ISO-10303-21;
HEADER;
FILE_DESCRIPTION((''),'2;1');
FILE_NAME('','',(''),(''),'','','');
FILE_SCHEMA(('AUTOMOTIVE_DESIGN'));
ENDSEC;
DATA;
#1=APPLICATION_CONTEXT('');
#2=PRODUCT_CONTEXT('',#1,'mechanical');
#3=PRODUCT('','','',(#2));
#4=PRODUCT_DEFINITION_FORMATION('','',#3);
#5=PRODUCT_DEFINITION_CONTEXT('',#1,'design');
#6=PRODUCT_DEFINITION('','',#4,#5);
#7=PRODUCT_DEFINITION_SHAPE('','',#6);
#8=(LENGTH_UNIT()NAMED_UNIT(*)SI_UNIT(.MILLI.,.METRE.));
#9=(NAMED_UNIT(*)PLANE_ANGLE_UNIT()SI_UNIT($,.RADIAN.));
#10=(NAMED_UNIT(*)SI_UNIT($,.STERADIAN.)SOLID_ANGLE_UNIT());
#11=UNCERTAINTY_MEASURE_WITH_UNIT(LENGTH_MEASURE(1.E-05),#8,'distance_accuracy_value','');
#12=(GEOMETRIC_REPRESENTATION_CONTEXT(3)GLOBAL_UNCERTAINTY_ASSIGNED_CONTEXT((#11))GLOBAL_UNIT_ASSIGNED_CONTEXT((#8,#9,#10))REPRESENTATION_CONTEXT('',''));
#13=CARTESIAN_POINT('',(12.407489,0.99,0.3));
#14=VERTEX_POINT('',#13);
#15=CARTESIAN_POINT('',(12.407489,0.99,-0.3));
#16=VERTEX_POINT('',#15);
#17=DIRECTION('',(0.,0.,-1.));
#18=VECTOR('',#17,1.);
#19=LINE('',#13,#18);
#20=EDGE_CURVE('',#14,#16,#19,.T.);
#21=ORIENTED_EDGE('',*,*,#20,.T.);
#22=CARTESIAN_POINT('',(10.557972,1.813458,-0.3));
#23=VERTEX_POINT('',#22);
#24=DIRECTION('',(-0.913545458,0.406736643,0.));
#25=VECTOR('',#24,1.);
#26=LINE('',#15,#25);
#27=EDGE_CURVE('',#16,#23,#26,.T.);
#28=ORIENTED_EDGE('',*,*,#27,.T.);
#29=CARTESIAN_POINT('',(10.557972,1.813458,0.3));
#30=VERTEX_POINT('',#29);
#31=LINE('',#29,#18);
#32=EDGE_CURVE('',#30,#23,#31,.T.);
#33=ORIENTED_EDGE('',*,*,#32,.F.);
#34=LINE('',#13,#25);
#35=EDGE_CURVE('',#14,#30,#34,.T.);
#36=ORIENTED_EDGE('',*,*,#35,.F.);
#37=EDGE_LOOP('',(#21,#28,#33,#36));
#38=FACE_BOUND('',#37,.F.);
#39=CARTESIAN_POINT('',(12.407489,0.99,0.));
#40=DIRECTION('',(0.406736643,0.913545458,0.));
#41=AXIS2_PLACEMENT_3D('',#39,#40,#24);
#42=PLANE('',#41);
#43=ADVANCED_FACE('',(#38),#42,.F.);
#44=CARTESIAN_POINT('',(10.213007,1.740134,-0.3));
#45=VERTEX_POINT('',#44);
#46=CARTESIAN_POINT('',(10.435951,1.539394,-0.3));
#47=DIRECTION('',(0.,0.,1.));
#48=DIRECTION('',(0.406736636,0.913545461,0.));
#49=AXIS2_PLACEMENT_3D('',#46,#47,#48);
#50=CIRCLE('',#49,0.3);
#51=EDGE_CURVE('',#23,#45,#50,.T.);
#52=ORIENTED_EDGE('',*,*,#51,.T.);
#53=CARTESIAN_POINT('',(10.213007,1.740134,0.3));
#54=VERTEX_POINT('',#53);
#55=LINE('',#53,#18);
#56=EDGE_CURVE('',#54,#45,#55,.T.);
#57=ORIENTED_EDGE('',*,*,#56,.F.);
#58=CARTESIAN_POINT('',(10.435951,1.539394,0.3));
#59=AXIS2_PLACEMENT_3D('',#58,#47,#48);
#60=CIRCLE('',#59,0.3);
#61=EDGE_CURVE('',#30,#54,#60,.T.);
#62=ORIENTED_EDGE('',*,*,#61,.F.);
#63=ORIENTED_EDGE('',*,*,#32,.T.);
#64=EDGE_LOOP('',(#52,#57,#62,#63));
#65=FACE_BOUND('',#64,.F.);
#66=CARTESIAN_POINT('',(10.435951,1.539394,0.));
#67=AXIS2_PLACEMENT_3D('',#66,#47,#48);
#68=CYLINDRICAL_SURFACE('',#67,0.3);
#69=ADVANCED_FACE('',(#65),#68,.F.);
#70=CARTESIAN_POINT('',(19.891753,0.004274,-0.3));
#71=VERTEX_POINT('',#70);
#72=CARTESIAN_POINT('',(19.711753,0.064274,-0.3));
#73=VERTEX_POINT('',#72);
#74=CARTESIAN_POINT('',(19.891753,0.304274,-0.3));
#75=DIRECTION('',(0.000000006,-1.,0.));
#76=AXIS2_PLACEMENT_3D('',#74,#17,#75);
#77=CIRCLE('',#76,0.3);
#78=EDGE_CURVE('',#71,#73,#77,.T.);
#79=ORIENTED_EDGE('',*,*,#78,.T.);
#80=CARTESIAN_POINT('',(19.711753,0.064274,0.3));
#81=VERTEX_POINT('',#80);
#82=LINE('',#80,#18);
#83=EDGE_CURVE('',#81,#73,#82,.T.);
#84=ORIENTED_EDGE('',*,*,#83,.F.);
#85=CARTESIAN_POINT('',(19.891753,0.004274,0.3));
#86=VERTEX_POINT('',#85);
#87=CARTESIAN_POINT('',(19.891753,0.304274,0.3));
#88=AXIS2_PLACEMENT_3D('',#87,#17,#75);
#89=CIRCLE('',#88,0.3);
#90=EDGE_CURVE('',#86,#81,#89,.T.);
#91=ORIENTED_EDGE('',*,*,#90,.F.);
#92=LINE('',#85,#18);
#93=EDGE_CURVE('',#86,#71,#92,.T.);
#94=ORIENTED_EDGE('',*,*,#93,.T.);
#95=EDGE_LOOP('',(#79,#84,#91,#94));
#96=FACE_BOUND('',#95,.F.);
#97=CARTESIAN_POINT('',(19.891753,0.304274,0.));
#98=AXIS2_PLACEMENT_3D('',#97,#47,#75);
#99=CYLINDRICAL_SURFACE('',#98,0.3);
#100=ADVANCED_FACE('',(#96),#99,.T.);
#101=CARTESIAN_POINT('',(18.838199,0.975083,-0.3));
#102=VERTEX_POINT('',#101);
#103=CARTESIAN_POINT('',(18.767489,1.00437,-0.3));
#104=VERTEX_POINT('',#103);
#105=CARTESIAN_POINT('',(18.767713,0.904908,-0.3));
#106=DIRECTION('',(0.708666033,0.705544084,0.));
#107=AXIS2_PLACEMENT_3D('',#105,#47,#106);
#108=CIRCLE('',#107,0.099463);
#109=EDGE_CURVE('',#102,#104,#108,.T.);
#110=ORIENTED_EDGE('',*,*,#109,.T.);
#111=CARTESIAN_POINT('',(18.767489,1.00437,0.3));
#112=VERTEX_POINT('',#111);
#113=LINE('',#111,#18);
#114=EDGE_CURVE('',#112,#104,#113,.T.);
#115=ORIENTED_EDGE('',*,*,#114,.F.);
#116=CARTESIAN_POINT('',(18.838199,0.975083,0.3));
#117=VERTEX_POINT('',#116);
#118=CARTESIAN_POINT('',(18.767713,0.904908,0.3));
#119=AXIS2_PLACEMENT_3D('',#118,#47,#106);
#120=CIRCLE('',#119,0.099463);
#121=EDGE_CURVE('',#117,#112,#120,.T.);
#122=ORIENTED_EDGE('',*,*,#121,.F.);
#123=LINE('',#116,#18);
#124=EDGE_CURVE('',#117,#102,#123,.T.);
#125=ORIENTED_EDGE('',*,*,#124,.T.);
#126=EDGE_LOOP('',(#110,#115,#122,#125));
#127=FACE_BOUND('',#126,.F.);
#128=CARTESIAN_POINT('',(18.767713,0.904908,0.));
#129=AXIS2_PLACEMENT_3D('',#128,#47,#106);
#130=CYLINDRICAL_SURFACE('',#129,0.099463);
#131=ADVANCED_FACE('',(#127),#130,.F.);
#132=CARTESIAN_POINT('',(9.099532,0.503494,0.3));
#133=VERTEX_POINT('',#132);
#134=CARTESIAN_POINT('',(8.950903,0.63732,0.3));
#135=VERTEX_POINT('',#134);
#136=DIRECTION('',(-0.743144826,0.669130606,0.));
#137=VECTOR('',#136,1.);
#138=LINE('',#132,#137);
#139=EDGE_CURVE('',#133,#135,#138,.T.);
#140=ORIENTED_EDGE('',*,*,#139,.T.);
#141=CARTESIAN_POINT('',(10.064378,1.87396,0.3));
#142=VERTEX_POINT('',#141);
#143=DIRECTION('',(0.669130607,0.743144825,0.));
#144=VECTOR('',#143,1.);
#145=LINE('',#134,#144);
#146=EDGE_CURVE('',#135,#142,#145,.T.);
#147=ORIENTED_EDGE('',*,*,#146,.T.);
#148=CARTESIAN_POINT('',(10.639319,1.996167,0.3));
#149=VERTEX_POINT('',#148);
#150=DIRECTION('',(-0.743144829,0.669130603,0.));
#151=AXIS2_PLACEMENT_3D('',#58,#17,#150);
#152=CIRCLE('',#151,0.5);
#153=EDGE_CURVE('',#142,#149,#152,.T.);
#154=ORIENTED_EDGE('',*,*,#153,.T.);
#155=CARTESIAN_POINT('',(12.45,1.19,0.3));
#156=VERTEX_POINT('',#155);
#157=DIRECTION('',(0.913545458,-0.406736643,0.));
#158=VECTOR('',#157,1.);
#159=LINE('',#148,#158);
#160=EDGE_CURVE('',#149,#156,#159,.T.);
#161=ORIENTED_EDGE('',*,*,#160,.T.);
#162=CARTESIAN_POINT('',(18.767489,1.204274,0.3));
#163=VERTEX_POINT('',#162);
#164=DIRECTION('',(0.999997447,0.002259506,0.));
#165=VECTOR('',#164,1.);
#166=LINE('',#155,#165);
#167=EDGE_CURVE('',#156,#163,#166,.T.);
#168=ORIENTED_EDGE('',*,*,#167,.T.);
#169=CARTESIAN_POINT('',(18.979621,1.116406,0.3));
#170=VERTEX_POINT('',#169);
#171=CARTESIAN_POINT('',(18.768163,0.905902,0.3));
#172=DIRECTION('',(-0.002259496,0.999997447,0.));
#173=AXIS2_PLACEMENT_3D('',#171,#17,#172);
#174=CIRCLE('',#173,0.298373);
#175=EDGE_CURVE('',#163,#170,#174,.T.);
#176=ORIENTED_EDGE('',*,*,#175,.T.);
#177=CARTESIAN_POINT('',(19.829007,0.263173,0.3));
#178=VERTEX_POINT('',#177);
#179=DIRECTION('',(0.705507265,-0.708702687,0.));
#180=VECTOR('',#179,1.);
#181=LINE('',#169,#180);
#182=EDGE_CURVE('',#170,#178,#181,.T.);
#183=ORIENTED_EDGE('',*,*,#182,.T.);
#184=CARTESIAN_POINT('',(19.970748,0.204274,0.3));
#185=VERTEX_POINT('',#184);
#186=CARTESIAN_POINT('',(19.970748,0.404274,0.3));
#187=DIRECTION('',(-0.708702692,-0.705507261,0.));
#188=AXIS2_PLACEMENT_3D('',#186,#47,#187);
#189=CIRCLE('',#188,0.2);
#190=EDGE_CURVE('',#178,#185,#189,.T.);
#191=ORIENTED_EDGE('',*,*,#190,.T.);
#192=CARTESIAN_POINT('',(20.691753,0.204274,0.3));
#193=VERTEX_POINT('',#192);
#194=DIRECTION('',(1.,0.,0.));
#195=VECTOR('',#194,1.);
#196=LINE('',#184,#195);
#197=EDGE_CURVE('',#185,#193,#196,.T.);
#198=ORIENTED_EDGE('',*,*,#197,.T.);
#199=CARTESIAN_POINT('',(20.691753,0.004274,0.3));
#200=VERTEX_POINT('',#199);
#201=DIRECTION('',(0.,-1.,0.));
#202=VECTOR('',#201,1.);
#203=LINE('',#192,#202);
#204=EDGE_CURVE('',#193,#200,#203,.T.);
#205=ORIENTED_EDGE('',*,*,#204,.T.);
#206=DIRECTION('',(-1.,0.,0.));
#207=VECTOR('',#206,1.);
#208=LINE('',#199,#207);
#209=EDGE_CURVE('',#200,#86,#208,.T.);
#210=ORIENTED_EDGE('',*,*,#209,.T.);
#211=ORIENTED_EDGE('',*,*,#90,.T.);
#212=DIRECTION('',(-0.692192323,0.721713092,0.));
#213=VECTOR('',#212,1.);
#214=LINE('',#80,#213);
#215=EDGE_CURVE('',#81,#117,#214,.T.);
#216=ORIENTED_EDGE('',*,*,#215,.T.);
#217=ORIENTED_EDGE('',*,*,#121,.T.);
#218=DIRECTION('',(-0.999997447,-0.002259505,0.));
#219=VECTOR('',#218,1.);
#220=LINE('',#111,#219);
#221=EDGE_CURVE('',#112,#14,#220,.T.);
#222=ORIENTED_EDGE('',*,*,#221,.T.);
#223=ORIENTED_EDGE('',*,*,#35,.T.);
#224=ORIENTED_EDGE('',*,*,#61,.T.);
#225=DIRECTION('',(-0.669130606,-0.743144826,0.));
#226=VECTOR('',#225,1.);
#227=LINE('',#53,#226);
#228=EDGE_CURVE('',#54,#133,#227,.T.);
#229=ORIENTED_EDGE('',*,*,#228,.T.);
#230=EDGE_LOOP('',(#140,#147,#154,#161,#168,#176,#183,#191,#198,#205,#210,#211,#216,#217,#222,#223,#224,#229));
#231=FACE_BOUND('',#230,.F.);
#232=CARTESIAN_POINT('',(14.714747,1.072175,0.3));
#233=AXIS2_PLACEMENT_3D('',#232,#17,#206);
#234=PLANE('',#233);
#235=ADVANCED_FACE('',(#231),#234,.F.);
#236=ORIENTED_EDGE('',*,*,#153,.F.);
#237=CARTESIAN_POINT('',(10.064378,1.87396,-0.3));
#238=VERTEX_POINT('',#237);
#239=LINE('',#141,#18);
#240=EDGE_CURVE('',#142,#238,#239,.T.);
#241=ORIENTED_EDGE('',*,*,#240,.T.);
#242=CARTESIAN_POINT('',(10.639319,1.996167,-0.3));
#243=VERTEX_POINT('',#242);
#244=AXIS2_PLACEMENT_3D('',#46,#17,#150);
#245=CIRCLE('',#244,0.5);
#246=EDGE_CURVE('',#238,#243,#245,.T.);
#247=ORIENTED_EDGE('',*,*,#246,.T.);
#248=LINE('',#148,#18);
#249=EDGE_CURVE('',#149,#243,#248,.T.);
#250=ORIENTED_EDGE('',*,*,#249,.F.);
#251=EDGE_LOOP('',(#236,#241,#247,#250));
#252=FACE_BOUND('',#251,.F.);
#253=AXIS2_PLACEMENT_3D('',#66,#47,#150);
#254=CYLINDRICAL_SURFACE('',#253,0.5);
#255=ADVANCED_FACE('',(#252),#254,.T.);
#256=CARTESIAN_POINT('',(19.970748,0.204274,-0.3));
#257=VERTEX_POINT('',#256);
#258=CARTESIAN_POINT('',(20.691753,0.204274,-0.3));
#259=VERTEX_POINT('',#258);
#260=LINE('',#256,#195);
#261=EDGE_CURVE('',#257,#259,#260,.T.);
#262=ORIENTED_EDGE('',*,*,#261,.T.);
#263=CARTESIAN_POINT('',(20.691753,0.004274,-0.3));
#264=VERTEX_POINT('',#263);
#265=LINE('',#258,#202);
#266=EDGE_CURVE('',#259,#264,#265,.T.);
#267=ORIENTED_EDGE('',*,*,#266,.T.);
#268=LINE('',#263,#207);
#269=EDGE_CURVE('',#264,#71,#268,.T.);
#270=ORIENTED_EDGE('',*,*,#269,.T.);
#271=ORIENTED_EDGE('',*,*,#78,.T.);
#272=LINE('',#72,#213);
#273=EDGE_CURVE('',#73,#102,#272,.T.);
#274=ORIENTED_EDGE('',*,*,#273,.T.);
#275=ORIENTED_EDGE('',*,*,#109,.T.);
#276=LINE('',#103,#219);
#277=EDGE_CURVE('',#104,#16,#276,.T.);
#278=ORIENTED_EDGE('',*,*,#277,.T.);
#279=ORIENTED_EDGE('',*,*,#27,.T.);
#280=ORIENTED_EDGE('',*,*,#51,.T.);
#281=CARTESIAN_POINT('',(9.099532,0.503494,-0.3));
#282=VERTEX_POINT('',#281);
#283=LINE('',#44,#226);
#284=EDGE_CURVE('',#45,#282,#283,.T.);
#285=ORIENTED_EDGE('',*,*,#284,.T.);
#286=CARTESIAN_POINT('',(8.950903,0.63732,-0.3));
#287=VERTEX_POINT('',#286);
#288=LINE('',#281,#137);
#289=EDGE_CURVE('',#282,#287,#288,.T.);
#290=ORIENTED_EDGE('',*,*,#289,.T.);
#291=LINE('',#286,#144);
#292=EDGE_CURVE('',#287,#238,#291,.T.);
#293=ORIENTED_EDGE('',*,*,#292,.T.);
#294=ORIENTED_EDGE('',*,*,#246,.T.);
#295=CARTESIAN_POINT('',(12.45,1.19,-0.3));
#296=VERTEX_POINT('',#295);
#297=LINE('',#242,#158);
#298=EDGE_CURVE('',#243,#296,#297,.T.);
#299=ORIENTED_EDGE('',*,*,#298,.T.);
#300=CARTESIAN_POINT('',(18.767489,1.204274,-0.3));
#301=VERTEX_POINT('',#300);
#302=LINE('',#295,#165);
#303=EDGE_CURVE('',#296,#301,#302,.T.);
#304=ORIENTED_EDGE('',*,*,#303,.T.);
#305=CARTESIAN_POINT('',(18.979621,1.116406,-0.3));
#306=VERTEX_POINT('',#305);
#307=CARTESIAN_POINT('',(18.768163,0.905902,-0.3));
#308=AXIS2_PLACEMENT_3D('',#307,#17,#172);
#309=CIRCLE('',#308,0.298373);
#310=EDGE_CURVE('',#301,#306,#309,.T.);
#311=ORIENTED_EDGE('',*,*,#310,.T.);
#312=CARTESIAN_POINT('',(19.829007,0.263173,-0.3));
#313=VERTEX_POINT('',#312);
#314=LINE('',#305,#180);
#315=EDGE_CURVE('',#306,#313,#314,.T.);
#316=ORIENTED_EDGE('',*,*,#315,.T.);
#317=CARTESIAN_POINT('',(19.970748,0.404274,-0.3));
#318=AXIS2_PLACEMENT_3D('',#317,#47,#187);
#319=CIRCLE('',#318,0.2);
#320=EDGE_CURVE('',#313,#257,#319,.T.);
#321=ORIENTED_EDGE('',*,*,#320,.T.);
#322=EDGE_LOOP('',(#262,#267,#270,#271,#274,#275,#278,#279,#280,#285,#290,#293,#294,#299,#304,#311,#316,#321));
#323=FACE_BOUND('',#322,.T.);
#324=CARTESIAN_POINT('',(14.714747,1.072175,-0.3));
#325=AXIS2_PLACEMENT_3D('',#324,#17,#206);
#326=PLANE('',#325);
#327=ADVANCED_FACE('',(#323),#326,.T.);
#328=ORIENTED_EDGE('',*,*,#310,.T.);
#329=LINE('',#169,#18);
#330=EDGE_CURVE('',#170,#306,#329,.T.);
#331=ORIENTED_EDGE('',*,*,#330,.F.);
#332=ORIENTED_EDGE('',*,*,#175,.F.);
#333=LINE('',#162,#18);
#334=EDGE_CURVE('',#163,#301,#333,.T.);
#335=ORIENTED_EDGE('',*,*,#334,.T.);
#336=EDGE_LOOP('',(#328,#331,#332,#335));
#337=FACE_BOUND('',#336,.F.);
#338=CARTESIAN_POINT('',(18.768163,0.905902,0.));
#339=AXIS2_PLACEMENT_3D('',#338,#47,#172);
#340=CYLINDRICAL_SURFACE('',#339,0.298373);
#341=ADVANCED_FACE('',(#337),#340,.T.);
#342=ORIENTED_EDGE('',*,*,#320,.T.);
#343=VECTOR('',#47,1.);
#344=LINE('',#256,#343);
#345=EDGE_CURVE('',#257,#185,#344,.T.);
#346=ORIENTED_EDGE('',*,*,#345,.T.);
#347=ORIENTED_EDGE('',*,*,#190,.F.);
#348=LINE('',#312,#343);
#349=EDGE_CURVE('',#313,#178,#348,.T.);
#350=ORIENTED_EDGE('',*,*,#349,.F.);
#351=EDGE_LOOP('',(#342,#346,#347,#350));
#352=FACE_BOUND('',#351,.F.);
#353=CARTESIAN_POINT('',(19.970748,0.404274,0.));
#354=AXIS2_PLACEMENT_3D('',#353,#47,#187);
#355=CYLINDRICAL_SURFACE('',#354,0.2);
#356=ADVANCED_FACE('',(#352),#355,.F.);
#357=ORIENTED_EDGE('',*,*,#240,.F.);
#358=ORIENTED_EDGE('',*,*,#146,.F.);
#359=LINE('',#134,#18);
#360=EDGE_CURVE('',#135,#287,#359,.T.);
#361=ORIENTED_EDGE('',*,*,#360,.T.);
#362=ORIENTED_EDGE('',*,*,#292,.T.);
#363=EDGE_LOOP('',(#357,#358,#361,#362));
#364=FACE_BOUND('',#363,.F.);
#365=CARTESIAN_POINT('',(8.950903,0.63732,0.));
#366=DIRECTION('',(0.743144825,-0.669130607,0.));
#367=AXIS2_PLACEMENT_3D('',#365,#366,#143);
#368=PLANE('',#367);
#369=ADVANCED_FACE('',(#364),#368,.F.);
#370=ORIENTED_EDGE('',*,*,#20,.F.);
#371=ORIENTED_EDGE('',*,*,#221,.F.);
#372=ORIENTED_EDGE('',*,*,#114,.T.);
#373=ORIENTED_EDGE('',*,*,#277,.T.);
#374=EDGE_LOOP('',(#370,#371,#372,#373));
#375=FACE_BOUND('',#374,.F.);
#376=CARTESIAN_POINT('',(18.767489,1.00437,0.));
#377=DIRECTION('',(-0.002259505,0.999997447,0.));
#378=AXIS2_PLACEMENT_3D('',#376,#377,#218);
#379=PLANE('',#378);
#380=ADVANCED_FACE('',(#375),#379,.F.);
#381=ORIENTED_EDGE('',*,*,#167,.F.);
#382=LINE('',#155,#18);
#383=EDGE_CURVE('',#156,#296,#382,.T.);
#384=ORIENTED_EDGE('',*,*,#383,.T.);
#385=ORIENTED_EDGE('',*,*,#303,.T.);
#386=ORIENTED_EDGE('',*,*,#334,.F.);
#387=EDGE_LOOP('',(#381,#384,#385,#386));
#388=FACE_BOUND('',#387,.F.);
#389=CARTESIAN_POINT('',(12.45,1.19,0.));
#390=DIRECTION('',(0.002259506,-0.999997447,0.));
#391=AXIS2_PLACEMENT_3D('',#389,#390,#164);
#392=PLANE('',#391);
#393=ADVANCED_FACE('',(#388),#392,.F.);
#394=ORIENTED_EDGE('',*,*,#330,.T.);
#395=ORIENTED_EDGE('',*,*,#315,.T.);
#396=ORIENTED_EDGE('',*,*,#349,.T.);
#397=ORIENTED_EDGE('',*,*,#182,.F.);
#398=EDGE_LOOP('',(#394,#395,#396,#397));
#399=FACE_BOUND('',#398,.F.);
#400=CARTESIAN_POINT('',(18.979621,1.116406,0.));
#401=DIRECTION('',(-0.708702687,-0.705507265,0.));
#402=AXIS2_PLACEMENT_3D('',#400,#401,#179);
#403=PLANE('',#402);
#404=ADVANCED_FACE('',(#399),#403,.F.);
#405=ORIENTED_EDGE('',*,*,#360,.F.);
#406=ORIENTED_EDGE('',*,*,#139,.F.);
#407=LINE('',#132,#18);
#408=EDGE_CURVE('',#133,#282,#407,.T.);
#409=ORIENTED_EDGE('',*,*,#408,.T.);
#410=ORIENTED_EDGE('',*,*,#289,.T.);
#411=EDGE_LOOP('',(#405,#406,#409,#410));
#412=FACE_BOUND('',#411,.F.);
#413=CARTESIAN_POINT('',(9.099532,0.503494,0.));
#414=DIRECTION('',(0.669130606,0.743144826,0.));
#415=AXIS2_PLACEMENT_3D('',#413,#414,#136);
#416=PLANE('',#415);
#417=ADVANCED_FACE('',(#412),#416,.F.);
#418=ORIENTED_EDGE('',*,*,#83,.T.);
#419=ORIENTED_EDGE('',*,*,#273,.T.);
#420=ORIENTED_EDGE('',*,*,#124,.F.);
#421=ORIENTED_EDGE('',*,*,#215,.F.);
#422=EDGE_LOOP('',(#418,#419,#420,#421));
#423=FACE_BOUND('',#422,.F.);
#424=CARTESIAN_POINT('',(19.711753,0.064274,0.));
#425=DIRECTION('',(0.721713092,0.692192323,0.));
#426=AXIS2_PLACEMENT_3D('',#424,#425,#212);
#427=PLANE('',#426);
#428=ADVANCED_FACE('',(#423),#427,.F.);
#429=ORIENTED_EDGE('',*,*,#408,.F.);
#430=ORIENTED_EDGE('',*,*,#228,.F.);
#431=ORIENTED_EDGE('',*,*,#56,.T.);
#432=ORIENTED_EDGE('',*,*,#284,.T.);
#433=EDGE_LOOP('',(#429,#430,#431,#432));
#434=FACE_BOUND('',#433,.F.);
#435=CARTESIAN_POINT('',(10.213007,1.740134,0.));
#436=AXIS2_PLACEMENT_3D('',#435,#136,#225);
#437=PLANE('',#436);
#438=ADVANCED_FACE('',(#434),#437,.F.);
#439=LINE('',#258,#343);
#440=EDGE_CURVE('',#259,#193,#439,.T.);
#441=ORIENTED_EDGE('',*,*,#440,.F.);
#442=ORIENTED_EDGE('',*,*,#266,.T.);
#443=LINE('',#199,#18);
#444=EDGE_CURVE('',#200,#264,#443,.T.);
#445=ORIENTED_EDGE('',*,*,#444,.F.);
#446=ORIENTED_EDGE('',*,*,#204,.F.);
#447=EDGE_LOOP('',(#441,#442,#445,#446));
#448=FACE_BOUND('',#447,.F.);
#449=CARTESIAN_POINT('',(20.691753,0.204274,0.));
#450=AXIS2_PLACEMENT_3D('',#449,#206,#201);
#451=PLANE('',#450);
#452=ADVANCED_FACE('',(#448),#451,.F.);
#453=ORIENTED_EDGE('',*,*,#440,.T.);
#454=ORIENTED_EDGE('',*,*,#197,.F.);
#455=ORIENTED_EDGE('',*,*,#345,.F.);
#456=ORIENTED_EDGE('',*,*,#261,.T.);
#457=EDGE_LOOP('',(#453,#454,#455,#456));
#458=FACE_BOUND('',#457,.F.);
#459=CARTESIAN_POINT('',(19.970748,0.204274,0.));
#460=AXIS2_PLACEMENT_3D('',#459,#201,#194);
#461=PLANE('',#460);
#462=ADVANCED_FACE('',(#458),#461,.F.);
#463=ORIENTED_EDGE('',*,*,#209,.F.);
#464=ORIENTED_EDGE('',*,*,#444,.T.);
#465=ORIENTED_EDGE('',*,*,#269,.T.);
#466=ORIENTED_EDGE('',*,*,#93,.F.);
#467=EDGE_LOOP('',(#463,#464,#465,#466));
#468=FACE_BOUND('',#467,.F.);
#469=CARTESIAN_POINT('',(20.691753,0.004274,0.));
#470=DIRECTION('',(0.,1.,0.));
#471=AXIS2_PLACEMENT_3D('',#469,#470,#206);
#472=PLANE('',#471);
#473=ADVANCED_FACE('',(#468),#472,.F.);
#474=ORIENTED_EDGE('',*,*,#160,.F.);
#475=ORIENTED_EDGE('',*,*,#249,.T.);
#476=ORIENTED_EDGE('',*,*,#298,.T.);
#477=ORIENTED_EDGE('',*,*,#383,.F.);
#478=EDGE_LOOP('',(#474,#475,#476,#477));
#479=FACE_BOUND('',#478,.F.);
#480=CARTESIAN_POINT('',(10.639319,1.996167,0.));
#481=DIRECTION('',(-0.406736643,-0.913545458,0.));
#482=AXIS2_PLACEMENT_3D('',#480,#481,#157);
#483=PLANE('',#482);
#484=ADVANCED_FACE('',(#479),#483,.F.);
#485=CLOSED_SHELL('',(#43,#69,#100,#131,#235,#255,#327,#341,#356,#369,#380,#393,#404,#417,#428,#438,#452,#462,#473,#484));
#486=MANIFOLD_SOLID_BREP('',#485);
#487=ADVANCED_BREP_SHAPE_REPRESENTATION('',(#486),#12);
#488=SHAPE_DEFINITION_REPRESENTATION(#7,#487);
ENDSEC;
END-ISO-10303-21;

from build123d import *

# Parameters (mm, degrees)
RESSALTO_EXTRUS_O1_DEPTH = 0.3


with BuildPart() as part:
    # Esboço1 → Ressalto-extrusão1 (new body, symmetric)
    with BuildSketch(Plane.XY):
        with BuildLine():
            Line((20.691752756, 0.204274437), (20.691752756, 0.004274437))
            Line((20.691752756, 0.004274437), (19.891752756, 0.004274437))
            ThreePointArc((19.891752756, 0.004274437), (19.796884427, 0.019669447), (19.711752756, 0.064274437))
            Line((19.711752756, 0.064274437), (18.838199366, 0.975083322))
            ThreePointArc((18.838199366, 0.975083322), (18.805773821, 0.996800576), (18.767488688, 1.004370491))
            Line((18.767488688, 1.004370491), (12.407488688, 0.99))
            Line((12.407488688, 0.99), (10.557971552, 1.813458083))
            ThreePointArc((10.557971552, 1.813458083), (10.373577052, 1.832838725), (10.213007112, 1.740133627))
            Line((10.213007112, 1.740133627), (9.099531826, 0.503494039))
            Line((9.099531826, 0.503494039), (8.95090286, 0.637320161))
            Line((8.95090286, 0.637320161), (10.064378147, 1.873959748))
            ThreePointArc((10.064378147, 1.873959748), (10.331994714, 2.028468246), (10.639318881, 1.996167174))
            Line((10.639318881, 1.996167174), (12.45, 1.19))
            Line((12.45, 1.19), (18.767488688, 1.204274437))
            ThreePointArc((18.767488688, 1.204274437), (18.882345327, 1.181562894), (18.979620722, 1.116406471))
            Line((18.979620722, 1.116406471), (19.829007121, 0.263172984))
            ThreePointArc((19.829007121, 0.263172984), (19.894002269, 0.219585116), (19.970747658, 0.204274437))
            Line((19.970747658, 0.204274437), (20.691752756, 0.204274437))
        make_face()
    extrude(amount=RESSALTO_EXTRUS_O1_DEPTH, both=True)


solid = part.part
